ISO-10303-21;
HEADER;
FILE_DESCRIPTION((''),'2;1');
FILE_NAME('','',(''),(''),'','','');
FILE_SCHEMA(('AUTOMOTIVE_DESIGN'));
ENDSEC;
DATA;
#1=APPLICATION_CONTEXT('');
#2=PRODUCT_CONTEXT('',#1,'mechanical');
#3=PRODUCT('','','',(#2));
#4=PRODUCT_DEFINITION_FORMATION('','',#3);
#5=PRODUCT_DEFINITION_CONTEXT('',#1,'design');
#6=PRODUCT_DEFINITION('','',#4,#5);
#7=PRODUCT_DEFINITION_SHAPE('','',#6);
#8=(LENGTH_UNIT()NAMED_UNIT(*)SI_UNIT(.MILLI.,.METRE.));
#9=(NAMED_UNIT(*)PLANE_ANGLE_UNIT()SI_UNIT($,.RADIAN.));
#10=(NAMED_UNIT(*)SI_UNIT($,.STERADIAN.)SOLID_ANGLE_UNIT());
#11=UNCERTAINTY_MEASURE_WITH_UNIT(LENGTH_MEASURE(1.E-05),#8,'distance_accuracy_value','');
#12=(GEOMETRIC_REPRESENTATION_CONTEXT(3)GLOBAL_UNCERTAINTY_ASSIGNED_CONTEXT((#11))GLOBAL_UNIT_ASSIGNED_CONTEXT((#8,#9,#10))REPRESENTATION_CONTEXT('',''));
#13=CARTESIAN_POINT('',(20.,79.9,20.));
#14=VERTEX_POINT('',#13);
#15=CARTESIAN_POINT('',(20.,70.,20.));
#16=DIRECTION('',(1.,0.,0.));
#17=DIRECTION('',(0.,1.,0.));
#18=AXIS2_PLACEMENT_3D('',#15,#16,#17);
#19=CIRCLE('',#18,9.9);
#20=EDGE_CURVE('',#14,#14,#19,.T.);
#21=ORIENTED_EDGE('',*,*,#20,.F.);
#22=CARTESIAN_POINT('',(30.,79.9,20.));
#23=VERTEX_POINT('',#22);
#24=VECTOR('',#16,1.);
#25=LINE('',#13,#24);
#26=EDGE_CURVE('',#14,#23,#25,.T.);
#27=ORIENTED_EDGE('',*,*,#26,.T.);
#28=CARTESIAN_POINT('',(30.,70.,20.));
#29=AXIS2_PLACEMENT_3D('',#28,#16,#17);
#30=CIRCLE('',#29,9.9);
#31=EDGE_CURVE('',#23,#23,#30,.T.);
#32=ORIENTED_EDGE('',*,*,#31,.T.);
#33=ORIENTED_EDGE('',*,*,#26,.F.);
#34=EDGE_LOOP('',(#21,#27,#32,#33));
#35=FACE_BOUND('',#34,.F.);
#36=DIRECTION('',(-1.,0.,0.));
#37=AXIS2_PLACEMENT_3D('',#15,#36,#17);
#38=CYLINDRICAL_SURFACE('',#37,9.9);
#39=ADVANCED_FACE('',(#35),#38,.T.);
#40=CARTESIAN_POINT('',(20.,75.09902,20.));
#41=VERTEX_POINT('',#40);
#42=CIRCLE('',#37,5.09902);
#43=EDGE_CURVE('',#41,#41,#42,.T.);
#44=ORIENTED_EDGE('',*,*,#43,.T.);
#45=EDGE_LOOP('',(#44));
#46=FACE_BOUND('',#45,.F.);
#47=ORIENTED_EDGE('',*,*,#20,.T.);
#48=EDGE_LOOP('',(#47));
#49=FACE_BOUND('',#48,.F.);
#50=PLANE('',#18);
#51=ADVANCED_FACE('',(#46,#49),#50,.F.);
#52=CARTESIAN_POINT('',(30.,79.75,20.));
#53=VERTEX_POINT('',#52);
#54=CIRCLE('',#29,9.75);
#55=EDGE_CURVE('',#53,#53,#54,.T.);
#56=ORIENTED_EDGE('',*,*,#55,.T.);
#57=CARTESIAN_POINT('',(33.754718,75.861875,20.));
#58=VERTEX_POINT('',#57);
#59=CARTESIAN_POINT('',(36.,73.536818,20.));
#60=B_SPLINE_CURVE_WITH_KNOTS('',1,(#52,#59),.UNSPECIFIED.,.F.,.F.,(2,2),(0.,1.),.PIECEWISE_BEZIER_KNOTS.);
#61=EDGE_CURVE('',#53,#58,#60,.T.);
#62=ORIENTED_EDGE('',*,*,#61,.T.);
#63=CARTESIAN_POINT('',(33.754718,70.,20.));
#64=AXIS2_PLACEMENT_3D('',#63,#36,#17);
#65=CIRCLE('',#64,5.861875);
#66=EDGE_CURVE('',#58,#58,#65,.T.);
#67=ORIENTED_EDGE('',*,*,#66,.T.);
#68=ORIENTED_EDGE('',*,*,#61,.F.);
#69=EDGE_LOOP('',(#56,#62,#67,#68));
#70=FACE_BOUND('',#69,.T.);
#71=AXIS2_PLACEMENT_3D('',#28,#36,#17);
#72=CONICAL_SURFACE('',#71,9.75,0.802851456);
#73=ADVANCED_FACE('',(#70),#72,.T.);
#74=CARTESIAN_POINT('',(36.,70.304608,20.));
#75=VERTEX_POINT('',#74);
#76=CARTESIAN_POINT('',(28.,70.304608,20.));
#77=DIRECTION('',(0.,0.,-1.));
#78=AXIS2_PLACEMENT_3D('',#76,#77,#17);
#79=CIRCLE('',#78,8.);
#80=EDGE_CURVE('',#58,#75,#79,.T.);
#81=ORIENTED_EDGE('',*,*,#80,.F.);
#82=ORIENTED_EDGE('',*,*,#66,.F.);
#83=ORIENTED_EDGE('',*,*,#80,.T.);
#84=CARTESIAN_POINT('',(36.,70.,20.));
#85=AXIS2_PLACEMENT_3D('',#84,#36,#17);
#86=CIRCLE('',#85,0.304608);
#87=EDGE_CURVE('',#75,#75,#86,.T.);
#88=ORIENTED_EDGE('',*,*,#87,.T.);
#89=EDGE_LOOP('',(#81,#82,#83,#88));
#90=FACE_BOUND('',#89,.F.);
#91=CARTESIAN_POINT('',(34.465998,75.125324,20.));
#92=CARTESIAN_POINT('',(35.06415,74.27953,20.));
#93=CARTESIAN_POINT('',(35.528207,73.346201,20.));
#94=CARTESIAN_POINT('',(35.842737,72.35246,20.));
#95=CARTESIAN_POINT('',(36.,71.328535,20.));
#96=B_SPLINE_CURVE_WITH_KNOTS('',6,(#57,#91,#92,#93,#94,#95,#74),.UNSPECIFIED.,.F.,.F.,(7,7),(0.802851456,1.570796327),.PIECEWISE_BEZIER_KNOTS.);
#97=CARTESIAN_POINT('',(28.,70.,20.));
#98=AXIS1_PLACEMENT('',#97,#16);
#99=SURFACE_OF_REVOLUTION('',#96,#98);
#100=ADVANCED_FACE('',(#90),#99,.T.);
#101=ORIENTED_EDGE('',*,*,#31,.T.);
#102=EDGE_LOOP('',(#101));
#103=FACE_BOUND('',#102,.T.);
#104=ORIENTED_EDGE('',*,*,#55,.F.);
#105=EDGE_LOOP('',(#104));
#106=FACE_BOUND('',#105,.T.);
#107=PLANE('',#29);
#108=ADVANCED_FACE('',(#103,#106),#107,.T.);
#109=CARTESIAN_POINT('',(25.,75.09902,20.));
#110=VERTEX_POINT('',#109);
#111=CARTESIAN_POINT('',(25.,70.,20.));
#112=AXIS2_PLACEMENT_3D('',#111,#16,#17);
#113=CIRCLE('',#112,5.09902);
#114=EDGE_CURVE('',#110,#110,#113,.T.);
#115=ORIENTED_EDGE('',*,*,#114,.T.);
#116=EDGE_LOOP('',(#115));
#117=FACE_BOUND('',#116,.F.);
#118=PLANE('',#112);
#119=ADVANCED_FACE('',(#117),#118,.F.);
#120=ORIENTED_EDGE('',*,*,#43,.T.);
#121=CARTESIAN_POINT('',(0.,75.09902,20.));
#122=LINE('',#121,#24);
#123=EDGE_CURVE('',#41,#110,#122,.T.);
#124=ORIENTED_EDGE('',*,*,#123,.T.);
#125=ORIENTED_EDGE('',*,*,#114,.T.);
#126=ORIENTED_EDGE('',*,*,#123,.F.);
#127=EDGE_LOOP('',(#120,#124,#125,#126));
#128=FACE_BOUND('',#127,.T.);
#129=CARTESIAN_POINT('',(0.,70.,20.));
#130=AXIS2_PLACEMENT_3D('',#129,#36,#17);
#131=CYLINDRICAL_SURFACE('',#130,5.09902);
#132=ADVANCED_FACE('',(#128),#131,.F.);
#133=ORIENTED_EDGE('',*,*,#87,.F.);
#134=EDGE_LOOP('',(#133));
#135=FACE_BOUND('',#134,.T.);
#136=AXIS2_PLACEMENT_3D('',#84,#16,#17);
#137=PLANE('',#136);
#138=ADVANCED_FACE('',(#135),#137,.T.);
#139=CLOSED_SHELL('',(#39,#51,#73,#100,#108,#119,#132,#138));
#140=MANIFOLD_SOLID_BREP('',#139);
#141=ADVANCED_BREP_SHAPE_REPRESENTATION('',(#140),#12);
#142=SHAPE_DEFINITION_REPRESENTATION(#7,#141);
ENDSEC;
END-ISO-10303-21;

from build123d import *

# Parameters (mm, degrees)
SKETCH020_R     = 9.9
PAD011_DEPTH    = 10
SKETCH021_R     = 9.75
PAD012_DEPTH    = 6
PAD012_TAPER    = 46
SKETCH022_R     = 5.09902
POCKET005_DEPTH = 25
FILLET_R        = 8


with BuildPart() as part:
    # Sketch020 → Pad011 (new body)
    with BuildSketch(Plane.YZ.offset(20)):
        Circle(SKETCH020_R)
    extrude(amount=PAD011_DEPTH)

    # Sketch021 → Pad012 (join)
    with BuildSketch(Plane.YZ.offset(30)):
        Circle(SKETCH021_R)
    extrude(amount=PAD012_DEPTH, taper=PAD012_TAPER)

    # Sketch022 → Pocket005 (cut)
    with BuildSketch(Plane.YZ):
        Circle(SKETCH022_R)
    extrude(amount=POCKET005_DEPTH, mode=Mode.SUBTRACT)

    # Fillet
    fillet_edges = [part.edges().sort_by_distance(p)[0] for p in [
        (36, -3.536818, 0),
    ]]
    fillet(fillet_edges, radius=FILLET_R)


with BuildPart() as part_1:
    # Body005 placement: moved
    add(part.part.moved(Location((0, 70, 20))))


solid = part_1.part
